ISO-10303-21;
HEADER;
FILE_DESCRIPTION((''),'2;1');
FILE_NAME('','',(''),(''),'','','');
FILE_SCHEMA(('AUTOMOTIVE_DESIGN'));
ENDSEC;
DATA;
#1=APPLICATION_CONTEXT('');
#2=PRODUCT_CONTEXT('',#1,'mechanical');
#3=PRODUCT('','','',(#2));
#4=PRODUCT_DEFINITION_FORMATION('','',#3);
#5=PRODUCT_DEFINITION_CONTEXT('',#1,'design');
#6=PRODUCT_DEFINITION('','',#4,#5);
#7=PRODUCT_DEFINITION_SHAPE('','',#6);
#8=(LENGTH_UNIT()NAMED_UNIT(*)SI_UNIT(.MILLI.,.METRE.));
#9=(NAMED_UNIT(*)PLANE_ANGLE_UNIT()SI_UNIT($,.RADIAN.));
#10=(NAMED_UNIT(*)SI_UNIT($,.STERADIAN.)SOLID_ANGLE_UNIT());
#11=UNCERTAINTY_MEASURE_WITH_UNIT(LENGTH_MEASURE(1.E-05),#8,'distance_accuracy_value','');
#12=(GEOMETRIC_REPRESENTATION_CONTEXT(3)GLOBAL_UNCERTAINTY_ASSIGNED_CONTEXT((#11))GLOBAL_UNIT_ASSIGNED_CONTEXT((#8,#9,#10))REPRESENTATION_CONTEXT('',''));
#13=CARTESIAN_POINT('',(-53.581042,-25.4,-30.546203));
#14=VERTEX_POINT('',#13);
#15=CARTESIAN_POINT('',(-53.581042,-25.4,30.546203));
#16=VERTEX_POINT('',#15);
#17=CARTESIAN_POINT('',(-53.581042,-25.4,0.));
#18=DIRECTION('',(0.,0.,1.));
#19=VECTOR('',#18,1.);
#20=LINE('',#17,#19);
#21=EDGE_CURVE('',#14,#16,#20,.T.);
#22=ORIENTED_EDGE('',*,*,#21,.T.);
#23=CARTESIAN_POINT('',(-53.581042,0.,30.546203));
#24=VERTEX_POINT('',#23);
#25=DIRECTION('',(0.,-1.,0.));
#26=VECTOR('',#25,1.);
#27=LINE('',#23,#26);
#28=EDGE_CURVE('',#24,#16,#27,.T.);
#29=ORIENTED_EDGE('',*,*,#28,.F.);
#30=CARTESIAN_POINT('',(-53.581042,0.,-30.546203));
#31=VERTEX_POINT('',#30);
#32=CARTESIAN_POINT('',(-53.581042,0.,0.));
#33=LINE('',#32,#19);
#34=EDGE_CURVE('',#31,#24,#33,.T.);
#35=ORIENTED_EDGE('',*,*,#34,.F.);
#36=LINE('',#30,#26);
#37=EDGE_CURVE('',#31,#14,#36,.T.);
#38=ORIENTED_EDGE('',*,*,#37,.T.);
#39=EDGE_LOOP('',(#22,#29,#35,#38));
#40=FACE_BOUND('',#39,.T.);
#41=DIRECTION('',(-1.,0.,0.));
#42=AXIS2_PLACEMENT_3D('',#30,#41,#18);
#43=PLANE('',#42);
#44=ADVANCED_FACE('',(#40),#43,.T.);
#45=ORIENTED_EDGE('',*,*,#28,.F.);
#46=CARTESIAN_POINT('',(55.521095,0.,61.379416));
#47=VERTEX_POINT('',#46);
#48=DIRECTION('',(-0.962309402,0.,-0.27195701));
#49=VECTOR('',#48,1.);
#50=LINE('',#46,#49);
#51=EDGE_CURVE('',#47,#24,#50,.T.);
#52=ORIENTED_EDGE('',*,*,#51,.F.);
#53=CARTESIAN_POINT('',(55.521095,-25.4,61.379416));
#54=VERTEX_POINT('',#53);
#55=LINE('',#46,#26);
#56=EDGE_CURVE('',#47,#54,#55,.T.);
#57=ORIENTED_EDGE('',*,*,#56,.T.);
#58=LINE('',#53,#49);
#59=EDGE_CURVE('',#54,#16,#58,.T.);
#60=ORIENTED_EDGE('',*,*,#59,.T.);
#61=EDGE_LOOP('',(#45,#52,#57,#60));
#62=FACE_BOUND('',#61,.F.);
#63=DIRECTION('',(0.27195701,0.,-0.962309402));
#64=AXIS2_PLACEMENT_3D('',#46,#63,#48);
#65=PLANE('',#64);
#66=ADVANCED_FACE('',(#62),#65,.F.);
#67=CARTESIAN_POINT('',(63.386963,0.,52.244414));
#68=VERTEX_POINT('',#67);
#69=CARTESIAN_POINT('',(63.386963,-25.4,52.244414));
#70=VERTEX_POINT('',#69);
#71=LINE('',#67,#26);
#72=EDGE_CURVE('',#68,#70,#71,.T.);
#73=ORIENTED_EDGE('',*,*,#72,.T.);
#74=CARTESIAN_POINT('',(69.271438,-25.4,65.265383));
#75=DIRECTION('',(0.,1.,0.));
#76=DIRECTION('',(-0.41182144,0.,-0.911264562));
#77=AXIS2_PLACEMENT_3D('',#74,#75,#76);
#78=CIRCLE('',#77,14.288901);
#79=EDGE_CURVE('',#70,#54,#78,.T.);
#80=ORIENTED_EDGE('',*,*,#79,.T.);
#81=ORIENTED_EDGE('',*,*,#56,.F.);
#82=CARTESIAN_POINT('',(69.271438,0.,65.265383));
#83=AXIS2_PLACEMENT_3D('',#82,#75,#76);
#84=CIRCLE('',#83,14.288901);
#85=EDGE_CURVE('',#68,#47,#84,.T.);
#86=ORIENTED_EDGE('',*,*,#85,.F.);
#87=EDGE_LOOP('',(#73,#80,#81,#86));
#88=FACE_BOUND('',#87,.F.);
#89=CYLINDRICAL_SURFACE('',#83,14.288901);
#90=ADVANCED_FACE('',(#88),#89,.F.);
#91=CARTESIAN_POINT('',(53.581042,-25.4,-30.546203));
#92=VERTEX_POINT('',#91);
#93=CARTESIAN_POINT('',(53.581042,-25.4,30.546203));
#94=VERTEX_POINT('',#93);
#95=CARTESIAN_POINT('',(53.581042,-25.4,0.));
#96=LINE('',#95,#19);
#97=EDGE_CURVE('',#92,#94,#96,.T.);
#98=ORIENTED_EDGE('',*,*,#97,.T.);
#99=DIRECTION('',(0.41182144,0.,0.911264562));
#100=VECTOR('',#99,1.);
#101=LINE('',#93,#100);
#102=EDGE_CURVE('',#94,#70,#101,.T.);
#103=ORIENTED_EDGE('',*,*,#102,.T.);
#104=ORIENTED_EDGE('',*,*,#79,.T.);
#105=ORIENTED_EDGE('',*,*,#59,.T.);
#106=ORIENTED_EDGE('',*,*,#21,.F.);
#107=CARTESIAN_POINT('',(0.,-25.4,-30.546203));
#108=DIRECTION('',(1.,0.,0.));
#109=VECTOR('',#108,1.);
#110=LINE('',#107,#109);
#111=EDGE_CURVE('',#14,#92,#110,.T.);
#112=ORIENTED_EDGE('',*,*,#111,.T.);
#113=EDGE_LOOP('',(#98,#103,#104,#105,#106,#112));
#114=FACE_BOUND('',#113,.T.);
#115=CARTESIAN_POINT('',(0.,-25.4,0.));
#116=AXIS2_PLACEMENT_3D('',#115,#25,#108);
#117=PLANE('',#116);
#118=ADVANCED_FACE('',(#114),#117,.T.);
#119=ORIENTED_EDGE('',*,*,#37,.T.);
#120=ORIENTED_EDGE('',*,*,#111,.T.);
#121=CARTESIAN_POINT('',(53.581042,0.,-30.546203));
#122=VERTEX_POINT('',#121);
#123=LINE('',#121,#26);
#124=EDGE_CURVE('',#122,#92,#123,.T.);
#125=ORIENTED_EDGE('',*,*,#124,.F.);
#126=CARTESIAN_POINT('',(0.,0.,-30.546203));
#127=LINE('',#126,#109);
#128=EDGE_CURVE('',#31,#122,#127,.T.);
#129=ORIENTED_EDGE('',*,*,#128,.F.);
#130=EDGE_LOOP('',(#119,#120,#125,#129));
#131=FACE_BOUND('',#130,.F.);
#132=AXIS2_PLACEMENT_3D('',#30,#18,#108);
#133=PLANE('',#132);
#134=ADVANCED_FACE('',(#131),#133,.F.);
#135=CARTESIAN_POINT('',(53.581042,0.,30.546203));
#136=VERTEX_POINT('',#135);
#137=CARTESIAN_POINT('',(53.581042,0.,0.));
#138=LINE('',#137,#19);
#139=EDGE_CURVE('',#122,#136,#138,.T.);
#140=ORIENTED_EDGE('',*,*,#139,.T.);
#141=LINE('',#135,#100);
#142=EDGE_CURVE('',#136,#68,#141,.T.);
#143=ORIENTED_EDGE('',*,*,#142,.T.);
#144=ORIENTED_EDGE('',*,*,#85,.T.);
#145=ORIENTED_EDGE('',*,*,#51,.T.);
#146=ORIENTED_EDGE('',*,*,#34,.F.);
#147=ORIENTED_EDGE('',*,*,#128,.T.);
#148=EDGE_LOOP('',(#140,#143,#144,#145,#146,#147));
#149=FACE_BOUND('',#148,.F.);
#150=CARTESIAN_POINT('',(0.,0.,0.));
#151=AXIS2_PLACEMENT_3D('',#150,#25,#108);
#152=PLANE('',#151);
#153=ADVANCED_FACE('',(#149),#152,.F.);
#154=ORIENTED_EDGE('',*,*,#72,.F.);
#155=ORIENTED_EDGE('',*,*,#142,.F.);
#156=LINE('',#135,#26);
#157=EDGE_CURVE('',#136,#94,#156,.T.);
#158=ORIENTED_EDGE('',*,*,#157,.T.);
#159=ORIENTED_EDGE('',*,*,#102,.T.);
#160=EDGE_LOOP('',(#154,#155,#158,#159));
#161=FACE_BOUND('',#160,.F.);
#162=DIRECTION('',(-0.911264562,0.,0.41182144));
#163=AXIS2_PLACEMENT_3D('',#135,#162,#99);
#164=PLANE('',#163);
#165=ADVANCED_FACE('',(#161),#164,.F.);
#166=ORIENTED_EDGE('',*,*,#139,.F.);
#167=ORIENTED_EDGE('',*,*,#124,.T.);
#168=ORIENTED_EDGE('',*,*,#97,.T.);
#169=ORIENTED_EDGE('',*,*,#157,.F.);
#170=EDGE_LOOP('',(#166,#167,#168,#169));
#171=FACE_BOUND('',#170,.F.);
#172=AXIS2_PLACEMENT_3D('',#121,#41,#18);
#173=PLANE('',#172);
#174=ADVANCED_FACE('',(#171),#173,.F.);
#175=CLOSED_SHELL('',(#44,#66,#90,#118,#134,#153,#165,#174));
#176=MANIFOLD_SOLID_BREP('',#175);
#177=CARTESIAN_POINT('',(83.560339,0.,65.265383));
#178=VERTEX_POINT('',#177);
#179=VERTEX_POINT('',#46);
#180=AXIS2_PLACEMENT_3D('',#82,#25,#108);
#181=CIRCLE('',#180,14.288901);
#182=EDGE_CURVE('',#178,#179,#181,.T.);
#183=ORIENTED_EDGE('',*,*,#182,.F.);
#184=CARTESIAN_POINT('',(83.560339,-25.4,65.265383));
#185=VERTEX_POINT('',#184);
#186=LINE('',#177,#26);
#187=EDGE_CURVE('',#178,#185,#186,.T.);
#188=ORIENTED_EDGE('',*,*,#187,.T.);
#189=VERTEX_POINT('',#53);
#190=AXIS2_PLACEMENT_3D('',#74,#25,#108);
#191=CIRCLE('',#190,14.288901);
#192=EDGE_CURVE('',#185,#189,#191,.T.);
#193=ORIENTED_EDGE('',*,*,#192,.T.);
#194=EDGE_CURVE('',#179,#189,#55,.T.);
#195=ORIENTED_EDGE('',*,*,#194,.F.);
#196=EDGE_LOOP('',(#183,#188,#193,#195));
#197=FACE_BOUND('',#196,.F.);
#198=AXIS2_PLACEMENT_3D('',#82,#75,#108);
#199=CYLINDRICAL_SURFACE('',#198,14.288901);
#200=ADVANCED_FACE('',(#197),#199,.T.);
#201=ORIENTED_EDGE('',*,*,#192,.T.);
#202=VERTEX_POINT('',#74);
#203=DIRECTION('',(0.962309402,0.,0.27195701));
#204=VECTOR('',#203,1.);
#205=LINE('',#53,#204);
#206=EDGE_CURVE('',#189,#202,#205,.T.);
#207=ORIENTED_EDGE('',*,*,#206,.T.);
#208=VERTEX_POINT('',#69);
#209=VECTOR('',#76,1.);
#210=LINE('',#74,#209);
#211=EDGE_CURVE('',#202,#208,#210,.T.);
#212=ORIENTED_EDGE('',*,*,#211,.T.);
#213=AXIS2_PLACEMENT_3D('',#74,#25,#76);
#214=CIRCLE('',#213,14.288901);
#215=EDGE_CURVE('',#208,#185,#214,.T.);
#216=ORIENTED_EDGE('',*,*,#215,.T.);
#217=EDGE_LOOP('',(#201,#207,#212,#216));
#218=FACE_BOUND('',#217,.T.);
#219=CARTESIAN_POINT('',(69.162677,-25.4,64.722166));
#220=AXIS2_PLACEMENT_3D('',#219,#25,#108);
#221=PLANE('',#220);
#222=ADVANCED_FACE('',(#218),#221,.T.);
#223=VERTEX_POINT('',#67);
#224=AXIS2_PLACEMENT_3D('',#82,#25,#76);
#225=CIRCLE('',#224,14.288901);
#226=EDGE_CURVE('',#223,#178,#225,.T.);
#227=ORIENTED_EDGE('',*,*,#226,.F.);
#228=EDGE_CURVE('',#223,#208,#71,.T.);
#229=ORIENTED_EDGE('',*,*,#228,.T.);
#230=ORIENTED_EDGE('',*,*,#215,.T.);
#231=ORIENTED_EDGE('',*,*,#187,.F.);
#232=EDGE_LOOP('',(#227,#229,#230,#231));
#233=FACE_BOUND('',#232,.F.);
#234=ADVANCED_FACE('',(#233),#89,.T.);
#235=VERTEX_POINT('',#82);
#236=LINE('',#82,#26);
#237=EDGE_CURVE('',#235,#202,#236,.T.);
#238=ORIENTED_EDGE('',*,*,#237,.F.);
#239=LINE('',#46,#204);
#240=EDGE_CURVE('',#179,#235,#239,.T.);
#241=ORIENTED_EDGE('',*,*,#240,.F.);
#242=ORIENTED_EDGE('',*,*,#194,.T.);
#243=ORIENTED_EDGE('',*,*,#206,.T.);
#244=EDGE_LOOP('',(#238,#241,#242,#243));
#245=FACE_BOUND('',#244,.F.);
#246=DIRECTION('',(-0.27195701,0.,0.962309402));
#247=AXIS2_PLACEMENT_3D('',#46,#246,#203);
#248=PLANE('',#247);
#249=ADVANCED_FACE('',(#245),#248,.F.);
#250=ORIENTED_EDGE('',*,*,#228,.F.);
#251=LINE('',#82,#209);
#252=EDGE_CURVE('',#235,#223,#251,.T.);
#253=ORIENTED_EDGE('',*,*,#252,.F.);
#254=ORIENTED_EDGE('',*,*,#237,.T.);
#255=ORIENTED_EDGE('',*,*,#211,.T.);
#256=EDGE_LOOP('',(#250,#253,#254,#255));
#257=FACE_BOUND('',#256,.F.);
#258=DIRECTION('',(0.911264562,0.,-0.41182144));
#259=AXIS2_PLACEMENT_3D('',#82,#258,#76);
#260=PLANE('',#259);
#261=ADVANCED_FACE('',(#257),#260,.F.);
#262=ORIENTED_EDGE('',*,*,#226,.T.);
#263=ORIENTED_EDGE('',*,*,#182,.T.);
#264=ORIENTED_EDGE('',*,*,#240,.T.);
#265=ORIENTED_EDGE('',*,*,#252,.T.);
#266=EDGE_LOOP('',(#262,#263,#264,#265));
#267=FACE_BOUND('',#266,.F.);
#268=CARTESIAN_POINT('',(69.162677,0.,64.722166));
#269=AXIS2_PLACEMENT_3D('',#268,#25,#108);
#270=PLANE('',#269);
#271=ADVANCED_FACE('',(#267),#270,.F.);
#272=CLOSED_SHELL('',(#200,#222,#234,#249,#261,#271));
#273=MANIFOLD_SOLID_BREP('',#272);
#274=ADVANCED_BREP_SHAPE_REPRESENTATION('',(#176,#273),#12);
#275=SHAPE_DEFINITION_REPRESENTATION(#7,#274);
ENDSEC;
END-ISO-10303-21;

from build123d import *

# Parameters (mm, degrees)
F1_DEPTH = 25.4
F0_W     = 107.1620831804
F0_H     = 61.0924064801


with BuildPart() as f1:
    # F0 (on Front) → F1 (new body)
    with BuildSketch(Plane.XZ):
        with BuildLine():
            Line((69.2714384393, 65.2653830506), (63.3869628326, 52.2444143239))
            ThreePointArc((63.3869628326, 52.2444143239), (77.020309094, 53.2600640908), (83.5603390181, 65.2653830506))
            ThreePointArc((83.5603390181, 65.2653830506), (67.3098841513, 79.4190039485), (55.5210950721, 61.3794163716))
            Line((55.5210950721, 61.3794163716), (69.2714384393, 65.2653830506))
        make_face()
    extrude(amount=F1_DEPTH)


with BuildPart() as f1b:
    # F0 (on Front) → F1, piece 2 (new body)
    with BuildSketch(Plane.XZ):
        Rectangle(F0_W, F0_H)
        with BuildLine():
            Line((-53.5810415902, 30.54620324), (53.5810415902, 30.54620324))
            Line((53.5810415902, 30.54620324), (63.3869628326, 52.2444143239))
            ThreePointArc((63.3869628326, 52.2444143239), (58.4435303016, 55.9418062096), (55.5210950721, 61.3794163716))
            Line((55.5210950721, 61.3794163716), (-53.5810415902, 30.54620324))
        make_face()
    extrude(amount=F1_DEPTH)


solid = Compound([f1.part, f1b.part])
